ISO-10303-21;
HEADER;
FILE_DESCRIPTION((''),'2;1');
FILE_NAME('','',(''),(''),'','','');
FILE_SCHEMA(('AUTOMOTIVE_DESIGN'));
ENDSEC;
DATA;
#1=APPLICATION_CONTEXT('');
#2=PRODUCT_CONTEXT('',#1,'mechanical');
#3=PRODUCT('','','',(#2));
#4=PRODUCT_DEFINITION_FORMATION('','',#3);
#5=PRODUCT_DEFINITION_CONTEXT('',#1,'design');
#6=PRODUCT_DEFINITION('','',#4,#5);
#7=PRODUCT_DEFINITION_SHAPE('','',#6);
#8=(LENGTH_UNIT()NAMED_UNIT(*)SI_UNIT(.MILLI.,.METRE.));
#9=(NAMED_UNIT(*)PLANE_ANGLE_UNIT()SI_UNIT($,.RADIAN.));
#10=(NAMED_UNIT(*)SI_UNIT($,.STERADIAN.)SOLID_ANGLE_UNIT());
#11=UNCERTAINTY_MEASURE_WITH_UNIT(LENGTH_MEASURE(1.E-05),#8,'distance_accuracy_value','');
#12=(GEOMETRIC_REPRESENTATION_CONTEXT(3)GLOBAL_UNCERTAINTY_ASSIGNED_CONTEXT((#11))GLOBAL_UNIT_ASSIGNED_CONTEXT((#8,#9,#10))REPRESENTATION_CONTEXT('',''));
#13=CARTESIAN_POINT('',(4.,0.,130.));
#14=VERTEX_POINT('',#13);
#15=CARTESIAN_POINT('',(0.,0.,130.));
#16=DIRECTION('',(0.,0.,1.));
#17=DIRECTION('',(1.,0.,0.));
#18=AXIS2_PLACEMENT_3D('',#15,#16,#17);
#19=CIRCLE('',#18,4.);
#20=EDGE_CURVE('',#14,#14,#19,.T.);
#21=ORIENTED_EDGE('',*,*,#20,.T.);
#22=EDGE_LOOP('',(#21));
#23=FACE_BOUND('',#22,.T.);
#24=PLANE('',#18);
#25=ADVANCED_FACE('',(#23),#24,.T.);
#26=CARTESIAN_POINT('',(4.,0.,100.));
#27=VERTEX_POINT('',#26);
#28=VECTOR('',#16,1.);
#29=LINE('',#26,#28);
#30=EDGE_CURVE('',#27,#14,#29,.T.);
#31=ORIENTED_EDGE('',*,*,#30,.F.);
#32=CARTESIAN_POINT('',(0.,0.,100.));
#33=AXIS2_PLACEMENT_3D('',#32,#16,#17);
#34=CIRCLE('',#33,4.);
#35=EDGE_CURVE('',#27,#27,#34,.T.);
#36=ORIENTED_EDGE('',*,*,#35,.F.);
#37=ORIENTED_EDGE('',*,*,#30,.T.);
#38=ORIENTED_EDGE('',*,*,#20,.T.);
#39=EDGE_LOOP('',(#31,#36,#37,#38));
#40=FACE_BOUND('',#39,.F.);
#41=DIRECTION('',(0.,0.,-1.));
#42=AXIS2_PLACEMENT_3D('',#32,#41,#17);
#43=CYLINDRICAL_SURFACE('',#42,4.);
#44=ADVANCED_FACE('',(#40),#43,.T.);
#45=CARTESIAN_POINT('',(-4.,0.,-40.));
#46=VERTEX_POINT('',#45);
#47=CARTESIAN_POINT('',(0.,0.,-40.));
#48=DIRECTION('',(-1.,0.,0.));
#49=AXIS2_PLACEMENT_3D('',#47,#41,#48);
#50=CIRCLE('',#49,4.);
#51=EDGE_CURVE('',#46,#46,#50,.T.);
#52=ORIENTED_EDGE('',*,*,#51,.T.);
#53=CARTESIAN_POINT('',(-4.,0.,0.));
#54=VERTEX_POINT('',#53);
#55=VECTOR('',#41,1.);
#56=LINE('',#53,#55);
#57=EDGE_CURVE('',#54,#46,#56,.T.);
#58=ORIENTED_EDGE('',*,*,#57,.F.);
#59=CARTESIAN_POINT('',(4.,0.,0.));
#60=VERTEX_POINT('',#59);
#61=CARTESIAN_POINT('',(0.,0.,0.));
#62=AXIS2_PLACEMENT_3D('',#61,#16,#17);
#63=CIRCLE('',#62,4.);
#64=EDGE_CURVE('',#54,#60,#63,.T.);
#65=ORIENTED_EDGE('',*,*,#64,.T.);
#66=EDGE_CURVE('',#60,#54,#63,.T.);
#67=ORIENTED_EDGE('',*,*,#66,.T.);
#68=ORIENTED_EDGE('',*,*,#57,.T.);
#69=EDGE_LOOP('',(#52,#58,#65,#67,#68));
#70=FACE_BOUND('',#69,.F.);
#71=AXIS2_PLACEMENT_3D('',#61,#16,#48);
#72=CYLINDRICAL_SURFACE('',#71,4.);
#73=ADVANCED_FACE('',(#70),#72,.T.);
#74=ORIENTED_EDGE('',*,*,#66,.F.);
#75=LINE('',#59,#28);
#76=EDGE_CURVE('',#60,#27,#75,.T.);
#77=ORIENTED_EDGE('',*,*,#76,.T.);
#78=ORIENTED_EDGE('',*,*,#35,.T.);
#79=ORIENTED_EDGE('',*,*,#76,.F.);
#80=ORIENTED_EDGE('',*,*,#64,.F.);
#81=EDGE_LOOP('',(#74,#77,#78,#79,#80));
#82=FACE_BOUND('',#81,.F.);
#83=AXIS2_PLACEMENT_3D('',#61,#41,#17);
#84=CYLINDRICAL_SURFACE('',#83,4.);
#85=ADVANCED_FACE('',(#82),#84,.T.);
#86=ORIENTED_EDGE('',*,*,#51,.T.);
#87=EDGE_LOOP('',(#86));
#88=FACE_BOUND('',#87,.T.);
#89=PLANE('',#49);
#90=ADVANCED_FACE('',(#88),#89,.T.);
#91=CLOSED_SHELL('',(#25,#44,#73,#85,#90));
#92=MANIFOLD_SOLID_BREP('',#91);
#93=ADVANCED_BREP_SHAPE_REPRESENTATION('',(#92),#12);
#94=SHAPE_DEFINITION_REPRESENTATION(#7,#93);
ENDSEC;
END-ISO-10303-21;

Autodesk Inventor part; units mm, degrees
ref_plane "YZ Plane" through (0, 0, 0) normal (1, 0, 0) x (0, 1, 0)
ref_plane "XZ Plane" through (0, 0, 0) normal (0, 1, 0) x (-1, 0, 0)
ref_plane "XY Plane" through (0, 0, 0) normal (0, 0, 1) x (1, 0, 0)
sketch "スケッチ1" plane through (0, 0, 0) normal (0, 0, 1) x (1, 0, 0)
  circle A0 centre (0, 0) radius 4
  dimension "d0" = 8
extrude "押し出し1" add sketch "スケッチ1" along normal blind 100
sketch "スケッチ2" plane through (0, 0, 100) normal (0, 0, 1) x (1, 0, 0)
  circle A0 centre (0, 0) radius 4
sketch "スケッチ3" plane through (0, 0, 0) normal (0, 0, -1) x (-1, 0, 0)
  circle A0 centre (0, 0) radius 4
extrude "押し出し3" add sketch "スケッチ3" along normal blind 40
extrude "押し出し4" add sketch "スケッチ2" along normal blind 30
properties part number "8mm軸_1"
